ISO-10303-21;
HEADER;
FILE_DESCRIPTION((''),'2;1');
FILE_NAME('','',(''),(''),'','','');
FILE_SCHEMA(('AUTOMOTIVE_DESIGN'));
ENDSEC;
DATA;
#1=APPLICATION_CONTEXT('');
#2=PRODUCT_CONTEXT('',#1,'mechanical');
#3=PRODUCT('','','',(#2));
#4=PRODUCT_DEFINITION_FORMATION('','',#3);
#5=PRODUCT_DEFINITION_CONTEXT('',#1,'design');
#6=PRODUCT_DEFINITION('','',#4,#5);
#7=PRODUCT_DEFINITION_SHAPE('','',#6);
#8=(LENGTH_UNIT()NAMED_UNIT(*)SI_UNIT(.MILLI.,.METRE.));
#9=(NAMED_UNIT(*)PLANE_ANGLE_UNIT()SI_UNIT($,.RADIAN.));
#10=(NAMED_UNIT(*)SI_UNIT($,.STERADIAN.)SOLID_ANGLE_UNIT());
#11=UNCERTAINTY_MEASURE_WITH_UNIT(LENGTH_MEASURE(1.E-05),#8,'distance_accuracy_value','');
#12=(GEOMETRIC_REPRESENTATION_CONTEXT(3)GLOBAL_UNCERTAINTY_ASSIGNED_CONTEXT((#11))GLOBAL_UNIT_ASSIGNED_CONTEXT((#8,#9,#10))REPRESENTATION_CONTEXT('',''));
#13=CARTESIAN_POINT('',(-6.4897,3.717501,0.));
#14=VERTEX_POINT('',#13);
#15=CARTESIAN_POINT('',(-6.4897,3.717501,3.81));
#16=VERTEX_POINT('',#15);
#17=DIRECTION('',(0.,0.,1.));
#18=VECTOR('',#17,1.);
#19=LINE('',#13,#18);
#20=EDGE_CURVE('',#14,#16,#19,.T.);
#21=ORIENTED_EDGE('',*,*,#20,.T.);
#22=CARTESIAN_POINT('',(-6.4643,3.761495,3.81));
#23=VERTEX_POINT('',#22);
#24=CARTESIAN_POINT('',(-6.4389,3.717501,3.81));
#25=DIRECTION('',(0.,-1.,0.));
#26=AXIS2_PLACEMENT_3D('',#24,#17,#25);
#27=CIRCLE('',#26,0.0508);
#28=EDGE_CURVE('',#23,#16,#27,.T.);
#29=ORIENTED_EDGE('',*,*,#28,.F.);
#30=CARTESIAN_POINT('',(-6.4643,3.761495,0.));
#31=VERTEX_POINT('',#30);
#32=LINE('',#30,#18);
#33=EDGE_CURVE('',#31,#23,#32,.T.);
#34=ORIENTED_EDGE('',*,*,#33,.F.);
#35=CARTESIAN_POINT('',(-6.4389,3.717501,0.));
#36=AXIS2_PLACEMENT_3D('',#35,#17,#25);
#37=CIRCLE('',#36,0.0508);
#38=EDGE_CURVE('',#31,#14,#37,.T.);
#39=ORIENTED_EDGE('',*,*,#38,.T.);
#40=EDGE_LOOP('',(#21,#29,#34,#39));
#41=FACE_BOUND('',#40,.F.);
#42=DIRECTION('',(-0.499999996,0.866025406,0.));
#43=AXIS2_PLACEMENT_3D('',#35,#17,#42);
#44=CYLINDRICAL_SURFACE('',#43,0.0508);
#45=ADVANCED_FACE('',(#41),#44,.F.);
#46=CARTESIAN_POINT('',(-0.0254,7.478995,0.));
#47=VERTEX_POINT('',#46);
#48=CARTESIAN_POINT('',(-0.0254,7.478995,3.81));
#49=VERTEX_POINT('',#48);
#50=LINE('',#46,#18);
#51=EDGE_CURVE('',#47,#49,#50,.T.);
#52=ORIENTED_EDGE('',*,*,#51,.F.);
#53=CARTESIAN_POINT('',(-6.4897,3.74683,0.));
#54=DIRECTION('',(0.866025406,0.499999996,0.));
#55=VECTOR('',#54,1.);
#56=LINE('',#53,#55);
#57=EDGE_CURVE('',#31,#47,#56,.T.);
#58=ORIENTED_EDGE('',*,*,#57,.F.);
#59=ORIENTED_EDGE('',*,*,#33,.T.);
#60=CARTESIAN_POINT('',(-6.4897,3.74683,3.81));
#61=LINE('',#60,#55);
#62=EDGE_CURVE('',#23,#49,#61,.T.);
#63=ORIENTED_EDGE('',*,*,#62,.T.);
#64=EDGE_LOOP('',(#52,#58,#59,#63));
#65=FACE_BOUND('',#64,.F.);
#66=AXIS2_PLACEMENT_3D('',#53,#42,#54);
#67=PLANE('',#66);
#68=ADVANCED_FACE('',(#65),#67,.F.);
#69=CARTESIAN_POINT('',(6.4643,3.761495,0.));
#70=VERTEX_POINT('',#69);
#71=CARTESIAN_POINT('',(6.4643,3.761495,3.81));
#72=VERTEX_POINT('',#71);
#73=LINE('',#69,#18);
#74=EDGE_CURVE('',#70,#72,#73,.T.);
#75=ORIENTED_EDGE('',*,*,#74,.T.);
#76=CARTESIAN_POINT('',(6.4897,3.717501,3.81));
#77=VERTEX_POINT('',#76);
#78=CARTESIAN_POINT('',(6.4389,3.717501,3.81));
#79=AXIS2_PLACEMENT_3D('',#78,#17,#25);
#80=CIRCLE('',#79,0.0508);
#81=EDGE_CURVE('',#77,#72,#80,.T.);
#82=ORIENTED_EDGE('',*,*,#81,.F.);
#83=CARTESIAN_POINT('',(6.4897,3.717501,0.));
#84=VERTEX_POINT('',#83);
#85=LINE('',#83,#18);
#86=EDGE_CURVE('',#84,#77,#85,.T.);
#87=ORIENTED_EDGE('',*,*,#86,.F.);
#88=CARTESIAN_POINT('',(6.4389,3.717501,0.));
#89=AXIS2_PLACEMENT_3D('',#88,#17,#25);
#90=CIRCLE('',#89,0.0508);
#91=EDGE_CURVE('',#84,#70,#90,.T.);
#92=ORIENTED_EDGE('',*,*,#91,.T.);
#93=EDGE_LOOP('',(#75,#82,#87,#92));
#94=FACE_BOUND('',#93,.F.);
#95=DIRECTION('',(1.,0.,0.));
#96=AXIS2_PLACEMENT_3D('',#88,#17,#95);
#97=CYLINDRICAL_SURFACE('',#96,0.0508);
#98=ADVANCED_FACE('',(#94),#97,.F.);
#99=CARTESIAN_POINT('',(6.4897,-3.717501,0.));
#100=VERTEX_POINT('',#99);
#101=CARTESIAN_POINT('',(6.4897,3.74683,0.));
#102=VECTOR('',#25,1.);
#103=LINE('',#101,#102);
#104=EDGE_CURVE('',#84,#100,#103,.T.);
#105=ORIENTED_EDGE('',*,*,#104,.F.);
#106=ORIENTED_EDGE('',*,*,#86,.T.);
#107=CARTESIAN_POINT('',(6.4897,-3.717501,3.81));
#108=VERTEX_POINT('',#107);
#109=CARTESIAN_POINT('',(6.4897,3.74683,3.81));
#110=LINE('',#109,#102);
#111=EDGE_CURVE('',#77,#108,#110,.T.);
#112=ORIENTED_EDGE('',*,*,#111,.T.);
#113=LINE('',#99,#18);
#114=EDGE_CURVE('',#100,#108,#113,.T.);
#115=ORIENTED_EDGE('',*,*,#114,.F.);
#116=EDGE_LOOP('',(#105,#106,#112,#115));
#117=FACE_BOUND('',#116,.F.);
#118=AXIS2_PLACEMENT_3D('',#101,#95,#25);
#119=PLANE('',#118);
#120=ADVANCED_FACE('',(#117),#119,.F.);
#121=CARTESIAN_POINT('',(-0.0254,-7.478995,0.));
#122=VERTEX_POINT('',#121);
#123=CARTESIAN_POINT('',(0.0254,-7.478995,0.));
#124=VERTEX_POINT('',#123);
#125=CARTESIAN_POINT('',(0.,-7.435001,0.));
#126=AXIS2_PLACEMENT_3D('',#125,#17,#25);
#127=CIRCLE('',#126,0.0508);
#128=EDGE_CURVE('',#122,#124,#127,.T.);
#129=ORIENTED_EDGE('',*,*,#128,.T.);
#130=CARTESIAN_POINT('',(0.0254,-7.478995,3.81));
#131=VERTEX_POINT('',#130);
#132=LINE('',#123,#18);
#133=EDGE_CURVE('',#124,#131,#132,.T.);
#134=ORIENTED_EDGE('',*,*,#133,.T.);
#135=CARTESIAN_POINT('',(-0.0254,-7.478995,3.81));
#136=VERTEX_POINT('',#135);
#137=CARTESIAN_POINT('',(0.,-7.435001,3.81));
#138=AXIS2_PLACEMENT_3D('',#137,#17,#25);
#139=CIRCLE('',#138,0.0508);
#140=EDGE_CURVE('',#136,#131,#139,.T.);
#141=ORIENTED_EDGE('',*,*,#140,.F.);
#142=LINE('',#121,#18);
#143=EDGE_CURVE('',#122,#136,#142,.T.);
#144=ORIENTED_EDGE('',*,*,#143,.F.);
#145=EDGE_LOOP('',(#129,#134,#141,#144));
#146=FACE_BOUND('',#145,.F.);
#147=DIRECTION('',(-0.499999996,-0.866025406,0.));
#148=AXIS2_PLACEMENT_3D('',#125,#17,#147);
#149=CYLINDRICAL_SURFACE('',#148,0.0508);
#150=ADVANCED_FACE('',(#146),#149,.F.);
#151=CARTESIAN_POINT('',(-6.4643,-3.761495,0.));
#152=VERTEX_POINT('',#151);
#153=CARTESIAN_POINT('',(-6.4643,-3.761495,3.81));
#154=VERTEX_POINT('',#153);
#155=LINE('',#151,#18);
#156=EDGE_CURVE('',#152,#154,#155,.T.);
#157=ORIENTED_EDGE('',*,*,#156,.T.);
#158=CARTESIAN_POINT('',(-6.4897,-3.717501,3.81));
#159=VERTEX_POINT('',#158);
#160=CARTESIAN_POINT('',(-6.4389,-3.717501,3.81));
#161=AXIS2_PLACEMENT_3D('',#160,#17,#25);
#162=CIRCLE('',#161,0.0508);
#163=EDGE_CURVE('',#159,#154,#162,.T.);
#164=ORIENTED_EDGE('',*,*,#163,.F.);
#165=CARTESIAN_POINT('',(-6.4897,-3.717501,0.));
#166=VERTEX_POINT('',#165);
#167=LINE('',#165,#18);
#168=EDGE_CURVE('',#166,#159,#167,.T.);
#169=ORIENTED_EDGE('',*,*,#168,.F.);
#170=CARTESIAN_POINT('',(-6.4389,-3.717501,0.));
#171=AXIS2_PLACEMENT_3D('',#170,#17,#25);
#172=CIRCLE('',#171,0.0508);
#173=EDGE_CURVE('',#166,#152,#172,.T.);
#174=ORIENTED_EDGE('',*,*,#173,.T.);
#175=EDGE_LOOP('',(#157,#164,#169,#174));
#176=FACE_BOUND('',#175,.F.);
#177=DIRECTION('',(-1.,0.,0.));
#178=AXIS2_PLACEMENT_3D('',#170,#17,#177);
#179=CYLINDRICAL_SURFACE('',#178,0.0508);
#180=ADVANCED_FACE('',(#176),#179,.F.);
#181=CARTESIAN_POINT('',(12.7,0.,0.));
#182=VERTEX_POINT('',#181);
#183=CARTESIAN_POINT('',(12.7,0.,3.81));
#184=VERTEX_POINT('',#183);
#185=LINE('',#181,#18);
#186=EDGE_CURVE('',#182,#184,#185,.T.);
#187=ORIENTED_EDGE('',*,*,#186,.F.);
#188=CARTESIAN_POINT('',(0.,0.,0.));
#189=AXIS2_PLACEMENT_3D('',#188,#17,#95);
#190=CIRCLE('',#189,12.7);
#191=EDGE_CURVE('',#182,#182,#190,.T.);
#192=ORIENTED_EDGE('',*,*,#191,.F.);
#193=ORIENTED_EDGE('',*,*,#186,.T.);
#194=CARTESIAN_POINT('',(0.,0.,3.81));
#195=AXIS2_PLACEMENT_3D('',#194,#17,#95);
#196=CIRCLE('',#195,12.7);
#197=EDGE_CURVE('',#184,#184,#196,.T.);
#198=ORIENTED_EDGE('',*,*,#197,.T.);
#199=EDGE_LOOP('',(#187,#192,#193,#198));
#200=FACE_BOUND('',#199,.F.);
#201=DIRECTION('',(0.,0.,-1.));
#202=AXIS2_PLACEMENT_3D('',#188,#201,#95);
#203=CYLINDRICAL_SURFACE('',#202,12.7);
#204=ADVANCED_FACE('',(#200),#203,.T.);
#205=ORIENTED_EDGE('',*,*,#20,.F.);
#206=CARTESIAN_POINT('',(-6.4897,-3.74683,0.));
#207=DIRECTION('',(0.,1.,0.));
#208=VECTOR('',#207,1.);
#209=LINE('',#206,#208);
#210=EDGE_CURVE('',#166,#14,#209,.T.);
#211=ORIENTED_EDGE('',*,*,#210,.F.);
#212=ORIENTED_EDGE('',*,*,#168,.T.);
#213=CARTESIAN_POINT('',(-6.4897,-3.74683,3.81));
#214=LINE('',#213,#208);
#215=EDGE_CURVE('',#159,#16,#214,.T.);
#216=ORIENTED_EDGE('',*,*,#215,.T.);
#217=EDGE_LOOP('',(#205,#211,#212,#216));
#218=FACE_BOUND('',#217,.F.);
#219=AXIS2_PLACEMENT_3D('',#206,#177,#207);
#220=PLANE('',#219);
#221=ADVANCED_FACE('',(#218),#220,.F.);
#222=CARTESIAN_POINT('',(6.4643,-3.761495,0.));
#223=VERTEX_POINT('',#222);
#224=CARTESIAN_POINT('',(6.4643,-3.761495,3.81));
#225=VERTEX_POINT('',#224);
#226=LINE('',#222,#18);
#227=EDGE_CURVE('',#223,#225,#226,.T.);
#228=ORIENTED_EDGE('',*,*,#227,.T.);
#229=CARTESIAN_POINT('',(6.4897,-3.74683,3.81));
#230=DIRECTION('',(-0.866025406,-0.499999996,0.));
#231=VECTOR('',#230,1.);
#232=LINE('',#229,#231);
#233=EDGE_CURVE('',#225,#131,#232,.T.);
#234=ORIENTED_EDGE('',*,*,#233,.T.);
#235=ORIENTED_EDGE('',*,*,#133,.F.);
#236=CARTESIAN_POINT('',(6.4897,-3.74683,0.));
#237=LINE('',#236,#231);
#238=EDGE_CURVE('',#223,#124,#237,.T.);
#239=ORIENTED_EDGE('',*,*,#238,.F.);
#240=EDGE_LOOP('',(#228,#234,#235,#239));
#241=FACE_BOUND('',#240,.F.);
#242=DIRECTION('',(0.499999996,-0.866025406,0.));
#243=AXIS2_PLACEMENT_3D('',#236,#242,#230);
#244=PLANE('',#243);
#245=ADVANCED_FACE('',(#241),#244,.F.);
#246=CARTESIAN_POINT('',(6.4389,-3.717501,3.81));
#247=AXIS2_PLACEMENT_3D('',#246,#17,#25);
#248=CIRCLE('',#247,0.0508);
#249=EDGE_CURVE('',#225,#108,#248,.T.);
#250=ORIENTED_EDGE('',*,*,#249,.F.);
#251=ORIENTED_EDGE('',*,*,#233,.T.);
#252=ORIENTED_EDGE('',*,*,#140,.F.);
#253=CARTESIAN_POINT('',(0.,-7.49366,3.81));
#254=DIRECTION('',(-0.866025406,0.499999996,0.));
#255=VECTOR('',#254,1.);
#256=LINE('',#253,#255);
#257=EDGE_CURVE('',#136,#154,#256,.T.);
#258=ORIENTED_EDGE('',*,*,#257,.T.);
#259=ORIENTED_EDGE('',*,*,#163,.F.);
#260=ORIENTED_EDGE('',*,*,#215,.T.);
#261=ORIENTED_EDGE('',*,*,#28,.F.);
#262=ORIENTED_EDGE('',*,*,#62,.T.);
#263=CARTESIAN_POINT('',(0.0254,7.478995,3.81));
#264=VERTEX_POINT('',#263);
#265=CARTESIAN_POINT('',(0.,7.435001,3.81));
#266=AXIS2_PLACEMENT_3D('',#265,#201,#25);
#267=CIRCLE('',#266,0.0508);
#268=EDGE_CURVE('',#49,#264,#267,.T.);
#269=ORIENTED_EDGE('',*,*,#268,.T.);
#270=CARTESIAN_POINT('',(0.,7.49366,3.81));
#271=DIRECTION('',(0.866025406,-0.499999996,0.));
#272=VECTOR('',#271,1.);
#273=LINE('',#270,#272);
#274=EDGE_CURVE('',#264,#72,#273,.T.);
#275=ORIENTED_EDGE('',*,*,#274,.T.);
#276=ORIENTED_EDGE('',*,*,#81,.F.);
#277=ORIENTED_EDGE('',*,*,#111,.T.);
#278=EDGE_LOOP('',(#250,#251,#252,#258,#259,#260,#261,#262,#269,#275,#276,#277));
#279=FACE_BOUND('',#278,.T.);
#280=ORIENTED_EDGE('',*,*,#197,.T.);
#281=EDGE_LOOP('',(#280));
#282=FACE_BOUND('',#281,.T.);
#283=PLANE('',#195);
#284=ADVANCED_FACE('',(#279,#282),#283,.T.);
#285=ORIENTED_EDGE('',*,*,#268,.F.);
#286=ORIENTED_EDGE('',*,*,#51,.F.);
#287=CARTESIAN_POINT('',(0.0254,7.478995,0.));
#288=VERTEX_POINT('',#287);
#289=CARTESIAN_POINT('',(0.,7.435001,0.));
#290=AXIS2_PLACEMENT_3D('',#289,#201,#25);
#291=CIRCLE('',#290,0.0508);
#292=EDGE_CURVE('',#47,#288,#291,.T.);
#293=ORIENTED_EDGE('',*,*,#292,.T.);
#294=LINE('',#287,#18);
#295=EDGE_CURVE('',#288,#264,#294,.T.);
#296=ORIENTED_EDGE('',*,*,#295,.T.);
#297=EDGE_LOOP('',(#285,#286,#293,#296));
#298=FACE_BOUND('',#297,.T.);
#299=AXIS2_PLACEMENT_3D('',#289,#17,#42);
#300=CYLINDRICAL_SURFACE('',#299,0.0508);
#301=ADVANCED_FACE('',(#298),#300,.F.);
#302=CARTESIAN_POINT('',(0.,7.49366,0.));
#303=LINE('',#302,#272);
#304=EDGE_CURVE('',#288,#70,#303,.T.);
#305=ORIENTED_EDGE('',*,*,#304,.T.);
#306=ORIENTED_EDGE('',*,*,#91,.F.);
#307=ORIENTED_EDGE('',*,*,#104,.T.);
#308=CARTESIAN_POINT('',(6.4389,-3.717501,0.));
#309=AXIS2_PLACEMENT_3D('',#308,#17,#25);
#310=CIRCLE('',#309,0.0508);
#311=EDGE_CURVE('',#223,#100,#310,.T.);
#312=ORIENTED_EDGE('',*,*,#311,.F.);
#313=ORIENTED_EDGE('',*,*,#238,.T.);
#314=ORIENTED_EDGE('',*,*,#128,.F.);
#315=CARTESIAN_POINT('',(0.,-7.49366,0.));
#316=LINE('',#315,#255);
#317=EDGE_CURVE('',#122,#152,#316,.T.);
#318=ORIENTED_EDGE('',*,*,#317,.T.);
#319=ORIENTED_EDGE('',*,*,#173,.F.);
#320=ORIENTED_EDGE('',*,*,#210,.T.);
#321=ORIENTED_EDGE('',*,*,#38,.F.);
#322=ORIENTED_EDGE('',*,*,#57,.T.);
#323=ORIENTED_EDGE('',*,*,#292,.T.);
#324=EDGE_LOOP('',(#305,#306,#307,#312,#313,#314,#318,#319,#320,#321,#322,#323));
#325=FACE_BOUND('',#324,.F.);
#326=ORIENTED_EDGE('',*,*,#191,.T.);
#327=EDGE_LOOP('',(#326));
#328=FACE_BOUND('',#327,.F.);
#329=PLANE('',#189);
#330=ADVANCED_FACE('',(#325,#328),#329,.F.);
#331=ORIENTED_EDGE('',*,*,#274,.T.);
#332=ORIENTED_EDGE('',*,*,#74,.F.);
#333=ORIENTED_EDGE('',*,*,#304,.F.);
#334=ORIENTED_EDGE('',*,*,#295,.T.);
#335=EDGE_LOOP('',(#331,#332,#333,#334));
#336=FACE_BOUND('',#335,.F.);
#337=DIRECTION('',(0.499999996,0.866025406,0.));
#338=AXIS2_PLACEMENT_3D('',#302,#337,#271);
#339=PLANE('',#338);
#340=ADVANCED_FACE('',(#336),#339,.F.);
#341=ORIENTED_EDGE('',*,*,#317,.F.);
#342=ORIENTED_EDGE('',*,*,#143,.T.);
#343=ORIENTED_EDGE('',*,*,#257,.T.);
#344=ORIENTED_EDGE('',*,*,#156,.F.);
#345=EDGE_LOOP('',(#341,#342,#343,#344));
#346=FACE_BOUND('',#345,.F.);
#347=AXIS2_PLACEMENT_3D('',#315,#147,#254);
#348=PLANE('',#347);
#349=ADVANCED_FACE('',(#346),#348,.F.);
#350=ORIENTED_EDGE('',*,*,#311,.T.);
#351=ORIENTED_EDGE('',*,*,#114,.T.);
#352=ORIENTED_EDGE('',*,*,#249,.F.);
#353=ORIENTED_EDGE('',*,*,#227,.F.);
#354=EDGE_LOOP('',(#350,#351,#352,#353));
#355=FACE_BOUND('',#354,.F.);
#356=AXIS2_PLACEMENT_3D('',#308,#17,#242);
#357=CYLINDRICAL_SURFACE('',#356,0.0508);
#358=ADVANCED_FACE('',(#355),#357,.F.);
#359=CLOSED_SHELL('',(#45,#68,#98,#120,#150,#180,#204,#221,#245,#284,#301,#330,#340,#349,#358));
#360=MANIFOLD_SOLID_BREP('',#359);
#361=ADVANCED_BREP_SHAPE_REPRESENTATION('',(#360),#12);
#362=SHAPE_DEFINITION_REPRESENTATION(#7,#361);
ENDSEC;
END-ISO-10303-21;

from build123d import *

# Parameters (mm, degrees)
F0_R     = 12.7
F1_DEPTH = 3.81
F2_R     = 0.0508


with BuildPart() as f1:
    # F0 (on Top) → F1 (new body)
    with BuildSketch(Plane.XY):
        Circle(F0_R)
        Polygon((0, 7.49366), (6.4897, 3.74683), (6.4897, -3.74683), (0, -7.49366), (-6.4897, -3.74683), (-6.4897, 3.74683), align=None, mode=Mode.SUBTRACT)
    extrude(amount=F1_DEPTH)

    # F2
    f2_edges = [f1.edges().sort_by_distance(p)[0] for p in [
        (-6.4897, -3.74683, 1.905),
        (-6.4897, 3.74683, 1.905),
        (0, 7.49366, 1.905),
        (6.4897, 3.74683, 1.905),
        (6.4897, -3.74683, 1.905),
        (0, -7.49366, 1.905),
    ]]
    fillet(f2_edges, radius=F2_R)


solid = f1.part
